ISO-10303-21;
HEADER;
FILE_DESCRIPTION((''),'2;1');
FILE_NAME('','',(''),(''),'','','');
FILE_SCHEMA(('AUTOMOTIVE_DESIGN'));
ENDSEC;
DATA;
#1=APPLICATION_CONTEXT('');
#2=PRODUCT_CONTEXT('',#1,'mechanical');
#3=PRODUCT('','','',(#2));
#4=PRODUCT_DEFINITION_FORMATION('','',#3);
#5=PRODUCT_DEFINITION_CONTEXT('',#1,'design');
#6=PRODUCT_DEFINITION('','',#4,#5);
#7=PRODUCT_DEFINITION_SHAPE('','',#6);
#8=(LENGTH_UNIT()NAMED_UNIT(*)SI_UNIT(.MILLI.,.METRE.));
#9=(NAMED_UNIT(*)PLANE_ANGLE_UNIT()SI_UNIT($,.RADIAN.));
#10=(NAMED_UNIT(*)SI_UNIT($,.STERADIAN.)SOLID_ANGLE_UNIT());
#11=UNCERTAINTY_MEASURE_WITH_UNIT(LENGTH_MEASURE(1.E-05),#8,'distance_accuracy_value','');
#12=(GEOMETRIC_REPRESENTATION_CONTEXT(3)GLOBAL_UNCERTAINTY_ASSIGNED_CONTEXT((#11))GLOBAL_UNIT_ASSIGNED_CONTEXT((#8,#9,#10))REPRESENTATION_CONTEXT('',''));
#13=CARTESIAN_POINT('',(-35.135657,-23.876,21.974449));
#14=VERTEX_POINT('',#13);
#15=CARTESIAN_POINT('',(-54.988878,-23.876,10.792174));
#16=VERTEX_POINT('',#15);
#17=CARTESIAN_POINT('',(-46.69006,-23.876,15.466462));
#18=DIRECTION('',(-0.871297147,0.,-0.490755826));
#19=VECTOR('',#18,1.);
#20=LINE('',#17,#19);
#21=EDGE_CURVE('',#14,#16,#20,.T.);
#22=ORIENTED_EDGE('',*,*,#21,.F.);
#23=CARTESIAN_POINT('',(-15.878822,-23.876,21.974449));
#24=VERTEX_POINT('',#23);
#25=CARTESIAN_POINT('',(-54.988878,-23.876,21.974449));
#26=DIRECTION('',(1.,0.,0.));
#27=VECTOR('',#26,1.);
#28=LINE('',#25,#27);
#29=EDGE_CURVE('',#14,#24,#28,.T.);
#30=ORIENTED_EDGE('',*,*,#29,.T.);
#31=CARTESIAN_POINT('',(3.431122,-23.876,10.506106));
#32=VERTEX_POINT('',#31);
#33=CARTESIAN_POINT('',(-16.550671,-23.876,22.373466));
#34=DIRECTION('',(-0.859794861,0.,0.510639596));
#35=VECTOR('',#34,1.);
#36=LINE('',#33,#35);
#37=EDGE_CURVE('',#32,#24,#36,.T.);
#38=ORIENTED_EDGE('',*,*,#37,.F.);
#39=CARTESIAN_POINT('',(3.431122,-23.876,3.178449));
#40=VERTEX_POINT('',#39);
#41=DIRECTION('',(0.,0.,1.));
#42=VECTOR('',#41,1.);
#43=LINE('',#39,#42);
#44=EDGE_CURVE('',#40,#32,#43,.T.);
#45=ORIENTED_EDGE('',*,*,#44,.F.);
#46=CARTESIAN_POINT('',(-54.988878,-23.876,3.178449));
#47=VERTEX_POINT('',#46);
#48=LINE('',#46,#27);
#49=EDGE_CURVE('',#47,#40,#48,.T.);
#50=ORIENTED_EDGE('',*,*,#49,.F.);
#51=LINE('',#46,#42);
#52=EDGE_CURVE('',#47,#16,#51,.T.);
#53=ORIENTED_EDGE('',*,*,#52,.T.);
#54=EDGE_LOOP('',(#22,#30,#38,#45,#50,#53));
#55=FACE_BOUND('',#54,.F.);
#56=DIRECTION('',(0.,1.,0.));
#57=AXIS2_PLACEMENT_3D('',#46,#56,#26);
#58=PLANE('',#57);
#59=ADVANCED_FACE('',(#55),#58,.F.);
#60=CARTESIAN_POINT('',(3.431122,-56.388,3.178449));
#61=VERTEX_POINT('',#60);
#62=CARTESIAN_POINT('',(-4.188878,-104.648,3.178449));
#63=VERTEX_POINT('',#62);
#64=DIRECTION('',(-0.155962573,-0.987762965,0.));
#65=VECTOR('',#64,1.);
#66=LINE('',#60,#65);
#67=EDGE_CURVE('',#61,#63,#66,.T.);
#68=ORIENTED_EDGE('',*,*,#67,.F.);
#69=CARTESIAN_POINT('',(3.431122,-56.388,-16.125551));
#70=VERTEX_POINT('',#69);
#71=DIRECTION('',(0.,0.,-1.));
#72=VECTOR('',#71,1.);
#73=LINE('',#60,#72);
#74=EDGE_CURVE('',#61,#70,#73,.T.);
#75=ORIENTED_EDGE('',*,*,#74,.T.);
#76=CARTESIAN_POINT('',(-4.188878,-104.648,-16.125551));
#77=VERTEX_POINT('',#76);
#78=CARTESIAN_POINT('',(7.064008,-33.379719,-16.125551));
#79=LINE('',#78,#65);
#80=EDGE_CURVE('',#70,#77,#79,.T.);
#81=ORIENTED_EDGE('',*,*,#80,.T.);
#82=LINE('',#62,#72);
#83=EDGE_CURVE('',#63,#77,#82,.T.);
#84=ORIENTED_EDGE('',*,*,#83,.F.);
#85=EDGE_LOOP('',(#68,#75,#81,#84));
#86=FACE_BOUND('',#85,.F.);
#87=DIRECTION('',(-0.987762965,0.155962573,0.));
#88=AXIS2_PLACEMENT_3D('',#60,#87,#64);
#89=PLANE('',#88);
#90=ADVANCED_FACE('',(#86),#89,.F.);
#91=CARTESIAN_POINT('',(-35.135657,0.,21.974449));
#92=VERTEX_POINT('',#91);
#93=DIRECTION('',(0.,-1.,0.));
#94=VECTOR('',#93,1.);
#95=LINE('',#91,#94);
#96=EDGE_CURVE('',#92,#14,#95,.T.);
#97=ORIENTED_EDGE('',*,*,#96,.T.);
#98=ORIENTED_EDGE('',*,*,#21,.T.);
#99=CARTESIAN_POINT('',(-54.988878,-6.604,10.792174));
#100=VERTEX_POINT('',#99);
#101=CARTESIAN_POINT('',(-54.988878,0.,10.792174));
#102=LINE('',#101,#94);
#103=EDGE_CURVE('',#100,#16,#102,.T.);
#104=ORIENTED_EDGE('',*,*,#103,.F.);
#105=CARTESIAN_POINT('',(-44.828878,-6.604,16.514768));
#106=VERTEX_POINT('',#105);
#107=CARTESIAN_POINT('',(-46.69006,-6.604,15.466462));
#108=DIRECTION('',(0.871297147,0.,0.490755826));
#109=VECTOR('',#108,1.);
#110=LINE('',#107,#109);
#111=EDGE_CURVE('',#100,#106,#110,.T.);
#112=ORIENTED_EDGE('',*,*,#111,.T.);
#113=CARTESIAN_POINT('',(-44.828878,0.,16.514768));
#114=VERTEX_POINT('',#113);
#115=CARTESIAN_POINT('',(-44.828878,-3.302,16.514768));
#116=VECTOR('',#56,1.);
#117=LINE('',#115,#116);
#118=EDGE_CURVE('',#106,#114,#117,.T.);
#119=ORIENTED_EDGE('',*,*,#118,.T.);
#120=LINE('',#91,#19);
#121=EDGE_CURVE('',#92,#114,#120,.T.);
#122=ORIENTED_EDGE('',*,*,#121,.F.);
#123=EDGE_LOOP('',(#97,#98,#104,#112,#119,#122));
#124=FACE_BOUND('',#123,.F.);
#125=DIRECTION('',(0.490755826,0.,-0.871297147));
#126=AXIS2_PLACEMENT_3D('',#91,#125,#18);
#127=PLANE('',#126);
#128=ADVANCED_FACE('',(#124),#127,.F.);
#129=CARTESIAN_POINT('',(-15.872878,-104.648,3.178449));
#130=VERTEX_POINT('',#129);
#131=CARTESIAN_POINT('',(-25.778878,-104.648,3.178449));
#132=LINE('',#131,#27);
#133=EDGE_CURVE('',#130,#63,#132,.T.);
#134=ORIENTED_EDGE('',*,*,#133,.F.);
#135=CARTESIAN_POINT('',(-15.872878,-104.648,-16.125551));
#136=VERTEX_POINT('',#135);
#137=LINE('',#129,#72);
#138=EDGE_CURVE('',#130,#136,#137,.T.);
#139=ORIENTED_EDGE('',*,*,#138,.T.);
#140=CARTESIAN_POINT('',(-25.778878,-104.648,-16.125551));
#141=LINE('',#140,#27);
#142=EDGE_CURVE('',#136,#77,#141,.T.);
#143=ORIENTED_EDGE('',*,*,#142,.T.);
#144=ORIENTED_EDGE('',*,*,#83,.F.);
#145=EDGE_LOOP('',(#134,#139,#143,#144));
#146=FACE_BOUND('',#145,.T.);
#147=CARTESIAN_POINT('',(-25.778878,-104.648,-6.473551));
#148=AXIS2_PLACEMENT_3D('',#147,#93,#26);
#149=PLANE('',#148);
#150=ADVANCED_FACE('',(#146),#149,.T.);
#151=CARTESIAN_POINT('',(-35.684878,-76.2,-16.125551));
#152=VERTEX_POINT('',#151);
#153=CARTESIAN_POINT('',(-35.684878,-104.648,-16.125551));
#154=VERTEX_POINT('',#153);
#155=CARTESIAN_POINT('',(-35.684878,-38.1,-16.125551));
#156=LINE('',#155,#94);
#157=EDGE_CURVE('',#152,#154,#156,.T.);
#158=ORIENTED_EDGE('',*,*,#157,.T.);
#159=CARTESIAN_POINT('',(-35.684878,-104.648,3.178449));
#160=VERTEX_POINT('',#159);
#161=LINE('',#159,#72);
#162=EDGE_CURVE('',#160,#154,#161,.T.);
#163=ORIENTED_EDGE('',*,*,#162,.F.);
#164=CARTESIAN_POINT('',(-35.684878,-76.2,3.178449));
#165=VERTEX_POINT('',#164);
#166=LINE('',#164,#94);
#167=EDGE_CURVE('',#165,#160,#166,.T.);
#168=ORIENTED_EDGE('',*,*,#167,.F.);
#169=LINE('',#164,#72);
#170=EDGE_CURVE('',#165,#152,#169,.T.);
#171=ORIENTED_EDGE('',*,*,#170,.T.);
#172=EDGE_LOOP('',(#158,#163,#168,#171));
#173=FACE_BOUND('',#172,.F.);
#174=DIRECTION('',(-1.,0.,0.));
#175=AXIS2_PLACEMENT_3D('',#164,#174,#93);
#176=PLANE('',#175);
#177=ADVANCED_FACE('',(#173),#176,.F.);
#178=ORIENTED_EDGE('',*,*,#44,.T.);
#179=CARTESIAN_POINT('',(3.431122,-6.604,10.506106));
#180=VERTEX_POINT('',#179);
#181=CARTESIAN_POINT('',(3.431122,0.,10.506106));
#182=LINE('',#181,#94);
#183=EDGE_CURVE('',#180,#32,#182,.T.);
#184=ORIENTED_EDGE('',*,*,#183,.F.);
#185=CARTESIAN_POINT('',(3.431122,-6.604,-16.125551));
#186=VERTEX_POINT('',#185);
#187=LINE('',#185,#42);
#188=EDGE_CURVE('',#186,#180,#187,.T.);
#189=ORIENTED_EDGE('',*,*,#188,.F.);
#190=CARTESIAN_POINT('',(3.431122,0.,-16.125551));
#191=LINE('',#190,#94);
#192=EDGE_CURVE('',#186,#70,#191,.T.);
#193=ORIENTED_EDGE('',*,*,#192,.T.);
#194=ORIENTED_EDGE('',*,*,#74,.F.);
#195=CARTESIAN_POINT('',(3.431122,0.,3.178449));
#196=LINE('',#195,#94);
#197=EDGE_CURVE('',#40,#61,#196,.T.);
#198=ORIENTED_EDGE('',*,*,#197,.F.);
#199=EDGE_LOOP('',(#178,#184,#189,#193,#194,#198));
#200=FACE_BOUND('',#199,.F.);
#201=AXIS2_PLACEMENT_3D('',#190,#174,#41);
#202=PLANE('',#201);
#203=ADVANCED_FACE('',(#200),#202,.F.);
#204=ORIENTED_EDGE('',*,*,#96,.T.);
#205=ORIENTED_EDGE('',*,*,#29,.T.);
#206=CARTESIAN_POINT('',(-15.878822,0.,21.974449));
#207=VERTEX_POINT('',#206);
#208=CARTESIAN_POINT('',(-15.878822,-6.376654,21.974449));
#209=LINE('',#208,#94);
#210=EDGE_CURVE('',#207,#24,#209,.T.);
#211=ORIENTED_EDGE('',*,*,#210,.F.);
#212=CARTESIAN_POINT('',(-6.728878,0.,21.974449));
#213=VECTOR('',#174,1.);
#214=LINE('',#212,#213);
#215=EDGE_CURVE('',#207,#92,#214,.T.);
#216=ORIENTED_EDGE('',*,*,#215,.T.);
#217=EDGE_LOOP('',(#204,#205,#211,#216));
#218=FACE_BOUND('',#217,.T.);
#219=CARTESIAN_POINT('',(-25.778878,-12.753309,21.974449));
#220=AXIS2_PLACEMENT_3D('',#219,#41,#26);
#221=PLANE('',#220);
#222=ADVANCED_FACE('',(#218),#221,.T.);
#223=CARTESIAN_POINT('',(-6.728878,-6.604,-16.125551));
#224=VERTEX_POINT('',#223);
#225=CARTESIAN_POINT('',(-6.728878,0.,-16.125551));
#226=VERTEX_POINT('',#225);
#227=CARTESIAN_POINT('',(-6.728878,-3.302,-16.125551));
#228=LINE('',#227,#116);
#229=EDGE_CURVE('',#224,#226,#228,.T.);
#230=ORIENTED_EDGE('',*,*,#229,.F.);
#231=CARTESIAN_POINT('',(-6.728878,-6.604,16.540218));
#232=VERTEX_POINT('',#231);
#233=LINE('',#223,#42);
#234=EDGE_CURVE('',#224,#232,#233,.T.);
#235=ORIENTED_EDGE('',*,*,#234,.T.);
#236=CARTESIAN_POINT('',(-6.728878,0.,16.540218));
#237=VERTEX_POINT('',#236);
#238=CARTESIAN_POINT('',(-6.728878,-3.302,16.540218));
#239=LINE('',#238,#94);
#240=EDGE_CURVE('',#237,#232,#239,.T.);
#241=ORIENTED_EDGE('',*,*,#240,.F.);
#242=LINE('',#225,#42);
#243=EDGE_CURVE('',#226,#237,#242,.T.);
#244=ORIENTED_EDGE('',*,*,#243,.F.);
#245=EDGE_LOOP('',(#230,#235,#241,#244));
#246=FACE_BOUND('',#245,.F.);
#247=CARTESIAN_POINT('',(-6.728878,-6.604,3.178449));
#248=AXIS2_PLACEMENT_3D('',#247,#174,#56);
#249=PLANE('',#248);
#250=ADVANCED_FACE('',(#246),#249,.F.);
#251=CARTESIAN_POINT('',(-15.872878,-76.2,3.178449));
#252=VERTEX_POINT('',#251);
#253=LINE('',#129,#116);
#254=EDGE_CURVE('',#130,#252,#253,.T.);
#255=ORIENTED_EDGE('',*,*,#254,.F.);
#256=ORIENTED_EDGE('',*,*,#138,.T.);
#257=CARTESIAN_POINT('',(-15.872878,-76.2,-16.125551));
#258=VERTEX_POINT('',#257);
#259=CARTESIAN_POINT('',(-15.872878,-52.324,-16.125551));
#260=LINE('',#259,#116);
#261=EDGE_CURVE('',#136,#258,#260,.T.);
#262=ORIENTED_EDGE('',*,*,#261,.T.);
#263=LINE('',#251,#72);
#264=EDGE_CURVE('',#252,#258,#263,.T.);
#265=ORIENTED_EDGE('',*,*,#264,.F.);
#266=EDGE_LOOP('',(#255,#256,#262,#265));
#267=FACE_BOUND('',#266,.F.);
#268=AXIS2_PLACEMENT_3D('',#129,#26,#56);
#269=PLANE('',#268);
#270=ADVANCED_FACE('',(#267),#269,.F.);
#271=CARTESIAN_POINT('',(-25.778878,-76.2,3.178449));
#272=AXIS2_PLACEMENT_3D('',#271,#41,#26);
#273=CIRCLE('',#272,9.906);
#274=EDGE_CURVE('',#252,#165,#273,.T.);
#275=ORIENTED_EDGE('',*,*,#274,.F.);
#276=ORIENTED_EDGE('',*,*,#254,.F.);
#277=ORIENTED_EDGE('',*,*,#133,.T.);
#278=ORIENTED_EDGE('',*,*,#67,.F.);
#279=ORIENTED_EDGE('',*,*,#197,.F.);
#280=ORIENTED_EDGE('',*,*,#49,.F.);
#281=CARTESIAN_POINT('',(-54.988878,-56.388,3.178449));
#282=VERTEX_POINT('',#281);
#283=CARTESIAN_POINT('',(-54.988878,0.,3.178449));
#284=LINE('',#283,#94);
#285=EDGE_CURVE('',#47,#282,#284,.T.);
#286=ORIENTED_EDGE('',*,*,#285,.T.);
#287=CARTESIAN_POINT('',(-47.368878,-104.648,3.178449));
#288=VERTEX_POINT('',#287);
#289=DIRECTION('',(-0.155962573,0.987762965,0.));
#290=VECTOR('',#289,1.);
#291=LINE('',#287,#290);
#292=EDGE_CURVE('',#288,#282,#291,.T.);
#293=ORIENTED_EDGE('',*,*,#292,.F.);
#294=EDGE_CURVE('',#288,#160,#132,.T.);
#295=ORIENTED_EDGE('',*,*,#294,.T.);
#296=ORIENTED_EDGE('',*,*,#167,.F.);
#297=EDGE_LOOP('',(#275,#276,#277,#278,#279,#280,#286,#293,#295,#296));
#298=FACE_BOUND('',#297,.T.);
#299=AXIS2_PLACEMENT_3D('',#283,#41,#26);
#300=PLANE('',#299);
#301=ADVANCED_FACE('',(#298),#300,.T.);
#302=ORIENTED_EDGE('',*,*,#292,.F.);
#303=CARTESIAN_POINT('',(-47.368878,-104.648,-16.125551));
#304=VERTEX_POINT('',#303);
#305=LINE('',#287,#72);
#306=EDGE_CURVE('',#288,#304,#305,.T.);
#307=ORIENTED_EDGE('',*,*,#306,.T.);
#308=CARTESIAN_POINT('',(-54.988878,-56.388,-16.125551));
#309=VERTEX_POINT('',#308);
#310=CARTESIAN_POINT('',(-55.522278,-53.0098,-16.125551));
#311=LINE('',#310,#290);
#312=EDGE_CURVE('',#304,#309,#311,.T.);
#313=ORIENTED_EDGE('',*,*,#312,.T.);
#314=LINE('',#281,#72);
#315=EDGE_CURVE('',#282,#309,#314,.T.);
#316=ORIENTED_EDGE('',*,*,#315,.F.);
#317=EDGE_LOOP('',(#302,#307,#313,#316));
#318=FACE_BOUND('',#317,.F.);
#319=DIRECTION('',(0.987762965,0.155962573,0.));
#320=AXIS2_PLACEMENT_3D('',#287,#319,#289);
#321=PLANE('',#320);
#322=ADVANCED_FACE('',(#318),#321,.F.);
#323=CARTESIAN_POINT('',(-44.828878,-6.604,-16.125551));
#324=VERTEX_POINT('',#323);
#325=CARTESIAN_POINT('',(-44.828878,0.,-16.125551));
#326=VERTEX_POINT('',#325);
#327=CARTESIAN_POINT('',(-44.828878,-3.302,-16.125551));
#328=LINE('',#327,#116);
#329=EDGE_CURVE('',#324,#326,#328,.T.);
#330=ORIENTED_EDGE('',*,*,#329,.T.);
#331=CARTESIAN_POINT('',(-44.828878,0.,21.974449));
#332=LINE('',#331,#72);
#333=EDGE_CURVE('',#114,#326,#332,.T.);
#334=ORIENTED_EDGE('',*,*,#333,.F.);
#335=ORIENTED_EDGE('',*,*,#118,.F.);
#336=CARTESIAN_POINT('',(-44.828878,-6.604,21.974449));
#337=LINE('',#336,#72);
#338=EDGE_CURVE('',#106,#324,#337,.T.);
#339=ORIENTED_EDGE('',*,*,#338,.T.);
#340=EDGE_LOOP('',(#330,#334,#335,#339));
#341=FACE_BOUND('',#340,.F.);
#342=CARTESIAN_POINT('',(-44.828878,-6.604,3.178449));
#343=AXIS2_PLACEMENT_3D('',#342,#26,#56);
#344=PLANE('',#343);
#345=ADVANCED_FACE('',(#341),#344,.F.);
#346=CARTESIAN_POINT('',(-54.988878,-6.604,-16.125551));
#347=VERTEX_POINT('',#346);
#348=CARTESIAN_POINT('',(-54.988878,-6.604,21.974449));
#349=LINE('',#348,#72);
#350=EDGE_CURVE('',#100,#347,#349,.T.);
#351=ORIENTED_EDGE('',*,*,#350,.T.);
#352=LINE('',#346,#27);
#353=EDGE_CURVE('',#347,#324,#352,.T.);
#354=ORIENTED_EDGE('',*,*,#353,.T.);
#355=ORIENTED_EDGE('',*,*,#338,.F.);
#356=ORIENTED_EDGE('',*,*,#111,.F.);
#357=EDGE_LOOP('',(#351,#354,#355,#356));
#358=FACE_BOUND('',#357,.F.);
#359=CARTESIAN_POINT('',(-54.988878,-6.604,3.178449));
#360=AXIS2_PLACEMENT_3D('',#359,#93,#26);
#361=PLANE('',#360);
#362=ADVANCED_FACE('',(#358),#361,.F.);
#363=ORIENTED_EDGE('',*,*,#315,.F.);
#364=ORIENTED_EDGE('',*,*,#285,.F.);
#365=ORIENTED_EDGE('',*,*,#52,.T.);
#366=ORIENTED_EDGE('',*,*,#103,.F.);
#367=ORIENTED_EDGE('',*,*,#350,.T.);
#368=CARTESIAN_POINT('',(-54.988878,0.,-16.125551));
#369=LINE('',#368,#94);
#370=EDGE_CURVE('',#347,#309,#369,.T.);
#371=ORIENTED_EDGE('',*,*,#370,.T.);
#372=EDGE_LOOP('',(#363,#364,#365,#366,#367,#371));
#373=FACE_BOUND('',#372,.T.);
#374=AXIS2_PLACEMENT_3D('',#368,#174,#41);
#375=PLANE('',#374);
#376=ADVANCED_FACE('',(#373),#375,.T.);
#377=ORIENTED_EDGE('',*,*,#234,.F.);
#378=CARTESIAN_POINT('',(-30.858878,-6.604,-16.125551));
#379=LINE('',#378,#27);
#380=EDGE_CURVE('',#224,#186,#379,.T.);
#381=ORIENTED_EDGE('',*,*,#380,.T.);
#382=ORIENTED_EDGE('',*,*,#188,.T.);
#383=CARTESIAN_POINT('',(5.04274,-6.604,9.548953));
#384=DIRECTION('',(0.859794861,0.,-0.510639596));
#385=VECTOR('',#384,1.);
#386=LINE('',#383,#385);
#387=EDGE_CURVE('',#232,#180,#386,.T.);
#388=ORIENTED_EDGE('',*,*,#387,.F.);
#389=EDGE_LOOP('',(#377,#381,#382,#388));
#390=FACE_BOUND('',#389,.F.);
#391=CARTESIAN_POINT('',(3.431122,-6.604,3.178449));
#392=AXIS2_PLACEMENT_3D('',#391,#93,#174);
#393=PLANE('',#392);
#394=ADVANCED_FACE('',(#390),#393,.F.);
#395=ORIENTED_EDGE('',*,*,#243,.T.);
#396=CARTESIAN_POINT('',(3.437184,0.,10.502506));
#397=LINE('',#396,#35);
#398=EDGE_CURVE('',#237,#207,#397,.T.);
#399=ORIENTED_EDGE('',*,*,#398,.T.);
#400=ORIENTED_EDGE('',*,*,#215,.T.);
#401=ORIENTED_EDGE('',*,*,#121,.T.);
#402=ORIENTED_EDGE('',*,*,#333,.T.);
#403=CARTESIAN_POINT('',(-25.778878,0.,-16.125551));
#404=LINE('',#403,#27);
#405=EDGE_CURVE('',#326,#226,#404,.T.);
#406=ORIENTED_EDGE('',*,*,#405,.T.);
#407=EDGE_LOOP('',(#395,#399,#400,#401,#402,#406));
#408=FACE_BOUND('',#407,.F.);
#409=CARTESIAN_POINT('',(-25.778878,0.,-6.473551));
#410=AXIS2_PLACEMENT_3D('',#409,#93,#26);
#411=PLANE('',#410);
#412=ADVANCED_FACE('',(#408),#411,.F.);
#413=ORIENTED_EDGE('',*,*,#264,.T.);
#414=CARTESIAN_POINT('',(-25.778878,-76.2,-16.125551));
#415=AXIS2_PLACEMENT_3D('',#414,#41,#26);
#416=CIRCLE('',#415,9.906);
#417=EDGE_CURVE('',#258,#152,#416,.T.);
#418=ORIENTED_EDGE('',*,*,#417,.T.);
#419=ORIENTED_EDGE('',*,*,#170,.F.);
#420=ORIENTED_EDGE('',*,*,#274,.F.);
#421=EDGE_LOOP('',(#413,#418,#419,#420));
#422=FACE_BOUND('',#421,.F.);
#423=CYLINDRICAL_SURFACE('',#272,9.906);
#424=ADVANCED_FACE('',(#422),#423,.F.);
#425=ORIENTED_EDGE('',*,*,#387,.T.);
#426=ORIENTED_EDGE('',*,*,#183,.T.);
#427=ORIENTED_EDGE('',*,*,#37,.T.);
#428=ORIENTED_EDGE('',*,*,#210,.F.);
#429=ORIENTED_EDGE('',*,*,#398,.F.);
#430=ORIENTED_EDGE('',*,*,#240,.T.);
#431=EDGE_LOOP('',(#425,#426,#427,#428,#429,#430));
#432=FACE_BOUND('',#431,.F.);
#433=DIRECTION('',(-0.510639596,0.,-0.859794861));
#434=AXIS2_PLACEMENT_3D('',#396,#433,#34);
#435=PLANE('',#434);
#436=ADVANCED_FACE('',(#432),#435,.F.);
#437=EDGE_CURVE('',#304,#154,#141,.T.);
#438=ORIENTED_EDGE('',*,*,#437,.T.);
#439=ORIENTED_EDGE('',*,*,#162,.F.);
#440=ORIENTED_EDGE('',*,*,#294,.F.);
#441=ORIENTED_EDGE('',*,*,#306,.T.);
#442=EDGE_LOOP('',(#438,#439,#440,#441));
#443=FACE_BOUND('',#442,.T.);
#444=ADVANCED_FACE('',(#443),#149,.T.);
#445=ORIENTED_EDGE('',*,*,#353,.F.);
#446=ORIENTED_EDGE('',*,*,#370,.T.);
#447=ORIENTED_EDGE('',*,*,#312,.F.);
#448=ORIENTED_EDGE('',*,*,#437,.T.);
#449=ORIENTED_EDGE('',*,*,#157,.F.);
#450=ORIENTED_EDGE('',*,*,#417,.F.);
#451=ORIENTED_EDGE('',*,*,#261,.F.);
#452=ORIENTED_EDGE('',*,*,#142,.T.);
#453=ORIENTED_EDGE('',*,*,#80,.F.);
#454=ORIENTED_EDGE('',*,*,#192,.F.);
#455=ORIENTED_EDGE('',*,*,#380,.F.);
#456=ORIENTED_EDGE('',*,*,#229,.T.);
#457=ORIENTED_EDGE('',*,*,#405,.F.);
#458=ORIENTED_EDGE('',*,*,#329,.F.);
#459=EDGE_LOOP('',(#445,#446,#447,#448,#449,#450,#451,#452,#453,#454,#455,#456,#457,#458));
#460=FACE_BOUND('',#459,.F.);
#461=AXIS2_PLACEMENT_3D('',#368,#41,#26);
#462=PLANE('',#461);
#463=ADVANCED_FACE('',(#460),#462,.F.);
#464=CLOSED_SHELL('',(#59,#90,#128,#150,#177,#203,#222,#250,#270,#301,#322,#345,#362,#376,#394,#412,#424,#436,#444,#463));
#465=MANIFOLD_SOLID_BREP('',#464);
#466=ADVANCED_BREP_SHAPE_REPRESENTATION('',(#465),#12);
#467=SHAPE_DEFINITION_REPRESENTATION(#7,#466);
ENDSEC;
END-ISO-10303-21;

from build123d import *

# Parameters (mm, degrees)
F0_W      = 58.42
F0_H      = 19.304
F1_DEPTH  = 104.648
F3_DEPTH  = 254
F4_DEPTH  = 18.796
F2_W      = 10.16
F2_H      = 6.604
F5_DEPTH  = 254
F8_DEPTH  = 25.4
F10_DEPTH = 25.4


with BuildPart() as f1:
    # F0 (on Front) → F1 (new body)
    with BuildSketch(Plane.XZ):
        with Locations((-25.778878, -6.473551)):
            Rectangle(F0_W, F0_H)
    extrude(amount=F1_DEPTH)

    # F2 (on face) → F3 (cut)
    with BuildSketch(Plane.XY.offset(3.178449)):
        with BuildLine():
            ThreePointArc((-35.684878, -76.2), (-25.778878, -86.106), (-15.872878, -76.2))
            Line((-15.872878, -76.2), (-35.684878, -76.2))
        make_face()
        with BuildLine():
            Line((-35.684878, -76.2), (-15.872878, -76.2))
            ThreePointArc((-15.872878, -76.2), (-25.778878, -66.294), (-35.684878, -76.2))
        make_face()
        with BuildLine():
            Line((-35.684878, -104.648), (-25.778878, -104.648))
            Line((-25.778878, -104.648), (-15.872878, -104.648))
            Line((-15.872878, -104.648), (-15.872878, -76.2))
            ThreePointArc((-15.872878, -76.2), (-25.778878, -86.106), (-35.684878, -76.2))
            Line((-35.684878, -76.2), (-35.684878, -104.648))
        make_face()
        Polygon((-54.988878, -104.648), (-47.368878, -104.648), (-54.988878, -56.388), align=None)
        Polygon((3.431122, -56.388), (-4.188878, -104.648), (3.431122, -104.648), align=None)
    extrude(amount=-F3_DEPTH, mode=Mode.SUBTRACT)

    # F2 (on face) → F4 (join)
    with BuildSketch(Plane.XY.offset(3.178449)):
        Polygon((-54.988878, -23.876), (3.431122, -23.876), (3.431122, -6.604), (-6.728878, -6.604), (-6.728878, 0), (-44.828878, 0), (-44.828878, -6.604), (-54.988878, -6.604), align=None)
    extrude(amount=F4_DEPTH)

    # F2 (on face) → F5 (cut)
    with BuildSketch(Plane.XY.offset(3.178449)):
        with BuildLine():
            Line((-35.684878, -104.648), (-25.778878, -104.648))
            Line((-25.778878, -104.648), (-15.872878, -104.648))
            Line((-15.872878, -104.648), (-15.872878, -76.2))
            ThreePointArc((-15.872878, -76.2), (-25.778878, -86.106), (-35.684878, -76.2))
            Line((-35.684878, -76.2), (-35.684878, -104.648))
        make_face()
        with BuildLine():
            Line((-35.684878, -76.2), (-15.872878, -76.2))
            ThreePointArc((-15.872878, -76.2), (-25.778878, -66.294), (-35.684878, -76.2))
        make_face()
        Polygon((-54.988878, -56.388), (-54.988878, -104.648), (-47.368878, -104.648), align=None)
        Polygon((-4.188878, -104.648), (3.431122, -104.648), (3.431122, -56.388), align=None)
        with Locations((-49.908878, -3.302)):
            Rectangle(F2_W, F2_H)
        with Locations((-1.648878, -3.302)):
            Rectangle(F2_W, F2_H)
    extrude(amount=-F5_DEPTH, mode=Mode.SUBTRACT)

    # F7 (on face) → F8 (cut)
    with BuildSketch(Plane(origin=(0, 0, 0), x_dir=(-1, 0, 0), z_dir=(0, 1, 0))):
        Polygon((86.693414, 21.974449), (35.135657, 21.974449), (86.693414, -7.065322), align=None)
    extrude(amount=-F8_DEPTH, mode=Mode.SUBTRACT)

    # F9 (on face) → F10 (cut)
    with BuildSketch(Plane(origin=(0, 0, 0), x_dir=(-1, 0, 0), z_dir=(0, 1, 0))):
        Polygon((-10.884415, 32.844201), (-3.437184, 10.502506), (34.180883, 32.844201), align=None)
    extrude(amount=-F10_DEPTH, mode=Mode.SUBTRACT)


solid = f1.part
